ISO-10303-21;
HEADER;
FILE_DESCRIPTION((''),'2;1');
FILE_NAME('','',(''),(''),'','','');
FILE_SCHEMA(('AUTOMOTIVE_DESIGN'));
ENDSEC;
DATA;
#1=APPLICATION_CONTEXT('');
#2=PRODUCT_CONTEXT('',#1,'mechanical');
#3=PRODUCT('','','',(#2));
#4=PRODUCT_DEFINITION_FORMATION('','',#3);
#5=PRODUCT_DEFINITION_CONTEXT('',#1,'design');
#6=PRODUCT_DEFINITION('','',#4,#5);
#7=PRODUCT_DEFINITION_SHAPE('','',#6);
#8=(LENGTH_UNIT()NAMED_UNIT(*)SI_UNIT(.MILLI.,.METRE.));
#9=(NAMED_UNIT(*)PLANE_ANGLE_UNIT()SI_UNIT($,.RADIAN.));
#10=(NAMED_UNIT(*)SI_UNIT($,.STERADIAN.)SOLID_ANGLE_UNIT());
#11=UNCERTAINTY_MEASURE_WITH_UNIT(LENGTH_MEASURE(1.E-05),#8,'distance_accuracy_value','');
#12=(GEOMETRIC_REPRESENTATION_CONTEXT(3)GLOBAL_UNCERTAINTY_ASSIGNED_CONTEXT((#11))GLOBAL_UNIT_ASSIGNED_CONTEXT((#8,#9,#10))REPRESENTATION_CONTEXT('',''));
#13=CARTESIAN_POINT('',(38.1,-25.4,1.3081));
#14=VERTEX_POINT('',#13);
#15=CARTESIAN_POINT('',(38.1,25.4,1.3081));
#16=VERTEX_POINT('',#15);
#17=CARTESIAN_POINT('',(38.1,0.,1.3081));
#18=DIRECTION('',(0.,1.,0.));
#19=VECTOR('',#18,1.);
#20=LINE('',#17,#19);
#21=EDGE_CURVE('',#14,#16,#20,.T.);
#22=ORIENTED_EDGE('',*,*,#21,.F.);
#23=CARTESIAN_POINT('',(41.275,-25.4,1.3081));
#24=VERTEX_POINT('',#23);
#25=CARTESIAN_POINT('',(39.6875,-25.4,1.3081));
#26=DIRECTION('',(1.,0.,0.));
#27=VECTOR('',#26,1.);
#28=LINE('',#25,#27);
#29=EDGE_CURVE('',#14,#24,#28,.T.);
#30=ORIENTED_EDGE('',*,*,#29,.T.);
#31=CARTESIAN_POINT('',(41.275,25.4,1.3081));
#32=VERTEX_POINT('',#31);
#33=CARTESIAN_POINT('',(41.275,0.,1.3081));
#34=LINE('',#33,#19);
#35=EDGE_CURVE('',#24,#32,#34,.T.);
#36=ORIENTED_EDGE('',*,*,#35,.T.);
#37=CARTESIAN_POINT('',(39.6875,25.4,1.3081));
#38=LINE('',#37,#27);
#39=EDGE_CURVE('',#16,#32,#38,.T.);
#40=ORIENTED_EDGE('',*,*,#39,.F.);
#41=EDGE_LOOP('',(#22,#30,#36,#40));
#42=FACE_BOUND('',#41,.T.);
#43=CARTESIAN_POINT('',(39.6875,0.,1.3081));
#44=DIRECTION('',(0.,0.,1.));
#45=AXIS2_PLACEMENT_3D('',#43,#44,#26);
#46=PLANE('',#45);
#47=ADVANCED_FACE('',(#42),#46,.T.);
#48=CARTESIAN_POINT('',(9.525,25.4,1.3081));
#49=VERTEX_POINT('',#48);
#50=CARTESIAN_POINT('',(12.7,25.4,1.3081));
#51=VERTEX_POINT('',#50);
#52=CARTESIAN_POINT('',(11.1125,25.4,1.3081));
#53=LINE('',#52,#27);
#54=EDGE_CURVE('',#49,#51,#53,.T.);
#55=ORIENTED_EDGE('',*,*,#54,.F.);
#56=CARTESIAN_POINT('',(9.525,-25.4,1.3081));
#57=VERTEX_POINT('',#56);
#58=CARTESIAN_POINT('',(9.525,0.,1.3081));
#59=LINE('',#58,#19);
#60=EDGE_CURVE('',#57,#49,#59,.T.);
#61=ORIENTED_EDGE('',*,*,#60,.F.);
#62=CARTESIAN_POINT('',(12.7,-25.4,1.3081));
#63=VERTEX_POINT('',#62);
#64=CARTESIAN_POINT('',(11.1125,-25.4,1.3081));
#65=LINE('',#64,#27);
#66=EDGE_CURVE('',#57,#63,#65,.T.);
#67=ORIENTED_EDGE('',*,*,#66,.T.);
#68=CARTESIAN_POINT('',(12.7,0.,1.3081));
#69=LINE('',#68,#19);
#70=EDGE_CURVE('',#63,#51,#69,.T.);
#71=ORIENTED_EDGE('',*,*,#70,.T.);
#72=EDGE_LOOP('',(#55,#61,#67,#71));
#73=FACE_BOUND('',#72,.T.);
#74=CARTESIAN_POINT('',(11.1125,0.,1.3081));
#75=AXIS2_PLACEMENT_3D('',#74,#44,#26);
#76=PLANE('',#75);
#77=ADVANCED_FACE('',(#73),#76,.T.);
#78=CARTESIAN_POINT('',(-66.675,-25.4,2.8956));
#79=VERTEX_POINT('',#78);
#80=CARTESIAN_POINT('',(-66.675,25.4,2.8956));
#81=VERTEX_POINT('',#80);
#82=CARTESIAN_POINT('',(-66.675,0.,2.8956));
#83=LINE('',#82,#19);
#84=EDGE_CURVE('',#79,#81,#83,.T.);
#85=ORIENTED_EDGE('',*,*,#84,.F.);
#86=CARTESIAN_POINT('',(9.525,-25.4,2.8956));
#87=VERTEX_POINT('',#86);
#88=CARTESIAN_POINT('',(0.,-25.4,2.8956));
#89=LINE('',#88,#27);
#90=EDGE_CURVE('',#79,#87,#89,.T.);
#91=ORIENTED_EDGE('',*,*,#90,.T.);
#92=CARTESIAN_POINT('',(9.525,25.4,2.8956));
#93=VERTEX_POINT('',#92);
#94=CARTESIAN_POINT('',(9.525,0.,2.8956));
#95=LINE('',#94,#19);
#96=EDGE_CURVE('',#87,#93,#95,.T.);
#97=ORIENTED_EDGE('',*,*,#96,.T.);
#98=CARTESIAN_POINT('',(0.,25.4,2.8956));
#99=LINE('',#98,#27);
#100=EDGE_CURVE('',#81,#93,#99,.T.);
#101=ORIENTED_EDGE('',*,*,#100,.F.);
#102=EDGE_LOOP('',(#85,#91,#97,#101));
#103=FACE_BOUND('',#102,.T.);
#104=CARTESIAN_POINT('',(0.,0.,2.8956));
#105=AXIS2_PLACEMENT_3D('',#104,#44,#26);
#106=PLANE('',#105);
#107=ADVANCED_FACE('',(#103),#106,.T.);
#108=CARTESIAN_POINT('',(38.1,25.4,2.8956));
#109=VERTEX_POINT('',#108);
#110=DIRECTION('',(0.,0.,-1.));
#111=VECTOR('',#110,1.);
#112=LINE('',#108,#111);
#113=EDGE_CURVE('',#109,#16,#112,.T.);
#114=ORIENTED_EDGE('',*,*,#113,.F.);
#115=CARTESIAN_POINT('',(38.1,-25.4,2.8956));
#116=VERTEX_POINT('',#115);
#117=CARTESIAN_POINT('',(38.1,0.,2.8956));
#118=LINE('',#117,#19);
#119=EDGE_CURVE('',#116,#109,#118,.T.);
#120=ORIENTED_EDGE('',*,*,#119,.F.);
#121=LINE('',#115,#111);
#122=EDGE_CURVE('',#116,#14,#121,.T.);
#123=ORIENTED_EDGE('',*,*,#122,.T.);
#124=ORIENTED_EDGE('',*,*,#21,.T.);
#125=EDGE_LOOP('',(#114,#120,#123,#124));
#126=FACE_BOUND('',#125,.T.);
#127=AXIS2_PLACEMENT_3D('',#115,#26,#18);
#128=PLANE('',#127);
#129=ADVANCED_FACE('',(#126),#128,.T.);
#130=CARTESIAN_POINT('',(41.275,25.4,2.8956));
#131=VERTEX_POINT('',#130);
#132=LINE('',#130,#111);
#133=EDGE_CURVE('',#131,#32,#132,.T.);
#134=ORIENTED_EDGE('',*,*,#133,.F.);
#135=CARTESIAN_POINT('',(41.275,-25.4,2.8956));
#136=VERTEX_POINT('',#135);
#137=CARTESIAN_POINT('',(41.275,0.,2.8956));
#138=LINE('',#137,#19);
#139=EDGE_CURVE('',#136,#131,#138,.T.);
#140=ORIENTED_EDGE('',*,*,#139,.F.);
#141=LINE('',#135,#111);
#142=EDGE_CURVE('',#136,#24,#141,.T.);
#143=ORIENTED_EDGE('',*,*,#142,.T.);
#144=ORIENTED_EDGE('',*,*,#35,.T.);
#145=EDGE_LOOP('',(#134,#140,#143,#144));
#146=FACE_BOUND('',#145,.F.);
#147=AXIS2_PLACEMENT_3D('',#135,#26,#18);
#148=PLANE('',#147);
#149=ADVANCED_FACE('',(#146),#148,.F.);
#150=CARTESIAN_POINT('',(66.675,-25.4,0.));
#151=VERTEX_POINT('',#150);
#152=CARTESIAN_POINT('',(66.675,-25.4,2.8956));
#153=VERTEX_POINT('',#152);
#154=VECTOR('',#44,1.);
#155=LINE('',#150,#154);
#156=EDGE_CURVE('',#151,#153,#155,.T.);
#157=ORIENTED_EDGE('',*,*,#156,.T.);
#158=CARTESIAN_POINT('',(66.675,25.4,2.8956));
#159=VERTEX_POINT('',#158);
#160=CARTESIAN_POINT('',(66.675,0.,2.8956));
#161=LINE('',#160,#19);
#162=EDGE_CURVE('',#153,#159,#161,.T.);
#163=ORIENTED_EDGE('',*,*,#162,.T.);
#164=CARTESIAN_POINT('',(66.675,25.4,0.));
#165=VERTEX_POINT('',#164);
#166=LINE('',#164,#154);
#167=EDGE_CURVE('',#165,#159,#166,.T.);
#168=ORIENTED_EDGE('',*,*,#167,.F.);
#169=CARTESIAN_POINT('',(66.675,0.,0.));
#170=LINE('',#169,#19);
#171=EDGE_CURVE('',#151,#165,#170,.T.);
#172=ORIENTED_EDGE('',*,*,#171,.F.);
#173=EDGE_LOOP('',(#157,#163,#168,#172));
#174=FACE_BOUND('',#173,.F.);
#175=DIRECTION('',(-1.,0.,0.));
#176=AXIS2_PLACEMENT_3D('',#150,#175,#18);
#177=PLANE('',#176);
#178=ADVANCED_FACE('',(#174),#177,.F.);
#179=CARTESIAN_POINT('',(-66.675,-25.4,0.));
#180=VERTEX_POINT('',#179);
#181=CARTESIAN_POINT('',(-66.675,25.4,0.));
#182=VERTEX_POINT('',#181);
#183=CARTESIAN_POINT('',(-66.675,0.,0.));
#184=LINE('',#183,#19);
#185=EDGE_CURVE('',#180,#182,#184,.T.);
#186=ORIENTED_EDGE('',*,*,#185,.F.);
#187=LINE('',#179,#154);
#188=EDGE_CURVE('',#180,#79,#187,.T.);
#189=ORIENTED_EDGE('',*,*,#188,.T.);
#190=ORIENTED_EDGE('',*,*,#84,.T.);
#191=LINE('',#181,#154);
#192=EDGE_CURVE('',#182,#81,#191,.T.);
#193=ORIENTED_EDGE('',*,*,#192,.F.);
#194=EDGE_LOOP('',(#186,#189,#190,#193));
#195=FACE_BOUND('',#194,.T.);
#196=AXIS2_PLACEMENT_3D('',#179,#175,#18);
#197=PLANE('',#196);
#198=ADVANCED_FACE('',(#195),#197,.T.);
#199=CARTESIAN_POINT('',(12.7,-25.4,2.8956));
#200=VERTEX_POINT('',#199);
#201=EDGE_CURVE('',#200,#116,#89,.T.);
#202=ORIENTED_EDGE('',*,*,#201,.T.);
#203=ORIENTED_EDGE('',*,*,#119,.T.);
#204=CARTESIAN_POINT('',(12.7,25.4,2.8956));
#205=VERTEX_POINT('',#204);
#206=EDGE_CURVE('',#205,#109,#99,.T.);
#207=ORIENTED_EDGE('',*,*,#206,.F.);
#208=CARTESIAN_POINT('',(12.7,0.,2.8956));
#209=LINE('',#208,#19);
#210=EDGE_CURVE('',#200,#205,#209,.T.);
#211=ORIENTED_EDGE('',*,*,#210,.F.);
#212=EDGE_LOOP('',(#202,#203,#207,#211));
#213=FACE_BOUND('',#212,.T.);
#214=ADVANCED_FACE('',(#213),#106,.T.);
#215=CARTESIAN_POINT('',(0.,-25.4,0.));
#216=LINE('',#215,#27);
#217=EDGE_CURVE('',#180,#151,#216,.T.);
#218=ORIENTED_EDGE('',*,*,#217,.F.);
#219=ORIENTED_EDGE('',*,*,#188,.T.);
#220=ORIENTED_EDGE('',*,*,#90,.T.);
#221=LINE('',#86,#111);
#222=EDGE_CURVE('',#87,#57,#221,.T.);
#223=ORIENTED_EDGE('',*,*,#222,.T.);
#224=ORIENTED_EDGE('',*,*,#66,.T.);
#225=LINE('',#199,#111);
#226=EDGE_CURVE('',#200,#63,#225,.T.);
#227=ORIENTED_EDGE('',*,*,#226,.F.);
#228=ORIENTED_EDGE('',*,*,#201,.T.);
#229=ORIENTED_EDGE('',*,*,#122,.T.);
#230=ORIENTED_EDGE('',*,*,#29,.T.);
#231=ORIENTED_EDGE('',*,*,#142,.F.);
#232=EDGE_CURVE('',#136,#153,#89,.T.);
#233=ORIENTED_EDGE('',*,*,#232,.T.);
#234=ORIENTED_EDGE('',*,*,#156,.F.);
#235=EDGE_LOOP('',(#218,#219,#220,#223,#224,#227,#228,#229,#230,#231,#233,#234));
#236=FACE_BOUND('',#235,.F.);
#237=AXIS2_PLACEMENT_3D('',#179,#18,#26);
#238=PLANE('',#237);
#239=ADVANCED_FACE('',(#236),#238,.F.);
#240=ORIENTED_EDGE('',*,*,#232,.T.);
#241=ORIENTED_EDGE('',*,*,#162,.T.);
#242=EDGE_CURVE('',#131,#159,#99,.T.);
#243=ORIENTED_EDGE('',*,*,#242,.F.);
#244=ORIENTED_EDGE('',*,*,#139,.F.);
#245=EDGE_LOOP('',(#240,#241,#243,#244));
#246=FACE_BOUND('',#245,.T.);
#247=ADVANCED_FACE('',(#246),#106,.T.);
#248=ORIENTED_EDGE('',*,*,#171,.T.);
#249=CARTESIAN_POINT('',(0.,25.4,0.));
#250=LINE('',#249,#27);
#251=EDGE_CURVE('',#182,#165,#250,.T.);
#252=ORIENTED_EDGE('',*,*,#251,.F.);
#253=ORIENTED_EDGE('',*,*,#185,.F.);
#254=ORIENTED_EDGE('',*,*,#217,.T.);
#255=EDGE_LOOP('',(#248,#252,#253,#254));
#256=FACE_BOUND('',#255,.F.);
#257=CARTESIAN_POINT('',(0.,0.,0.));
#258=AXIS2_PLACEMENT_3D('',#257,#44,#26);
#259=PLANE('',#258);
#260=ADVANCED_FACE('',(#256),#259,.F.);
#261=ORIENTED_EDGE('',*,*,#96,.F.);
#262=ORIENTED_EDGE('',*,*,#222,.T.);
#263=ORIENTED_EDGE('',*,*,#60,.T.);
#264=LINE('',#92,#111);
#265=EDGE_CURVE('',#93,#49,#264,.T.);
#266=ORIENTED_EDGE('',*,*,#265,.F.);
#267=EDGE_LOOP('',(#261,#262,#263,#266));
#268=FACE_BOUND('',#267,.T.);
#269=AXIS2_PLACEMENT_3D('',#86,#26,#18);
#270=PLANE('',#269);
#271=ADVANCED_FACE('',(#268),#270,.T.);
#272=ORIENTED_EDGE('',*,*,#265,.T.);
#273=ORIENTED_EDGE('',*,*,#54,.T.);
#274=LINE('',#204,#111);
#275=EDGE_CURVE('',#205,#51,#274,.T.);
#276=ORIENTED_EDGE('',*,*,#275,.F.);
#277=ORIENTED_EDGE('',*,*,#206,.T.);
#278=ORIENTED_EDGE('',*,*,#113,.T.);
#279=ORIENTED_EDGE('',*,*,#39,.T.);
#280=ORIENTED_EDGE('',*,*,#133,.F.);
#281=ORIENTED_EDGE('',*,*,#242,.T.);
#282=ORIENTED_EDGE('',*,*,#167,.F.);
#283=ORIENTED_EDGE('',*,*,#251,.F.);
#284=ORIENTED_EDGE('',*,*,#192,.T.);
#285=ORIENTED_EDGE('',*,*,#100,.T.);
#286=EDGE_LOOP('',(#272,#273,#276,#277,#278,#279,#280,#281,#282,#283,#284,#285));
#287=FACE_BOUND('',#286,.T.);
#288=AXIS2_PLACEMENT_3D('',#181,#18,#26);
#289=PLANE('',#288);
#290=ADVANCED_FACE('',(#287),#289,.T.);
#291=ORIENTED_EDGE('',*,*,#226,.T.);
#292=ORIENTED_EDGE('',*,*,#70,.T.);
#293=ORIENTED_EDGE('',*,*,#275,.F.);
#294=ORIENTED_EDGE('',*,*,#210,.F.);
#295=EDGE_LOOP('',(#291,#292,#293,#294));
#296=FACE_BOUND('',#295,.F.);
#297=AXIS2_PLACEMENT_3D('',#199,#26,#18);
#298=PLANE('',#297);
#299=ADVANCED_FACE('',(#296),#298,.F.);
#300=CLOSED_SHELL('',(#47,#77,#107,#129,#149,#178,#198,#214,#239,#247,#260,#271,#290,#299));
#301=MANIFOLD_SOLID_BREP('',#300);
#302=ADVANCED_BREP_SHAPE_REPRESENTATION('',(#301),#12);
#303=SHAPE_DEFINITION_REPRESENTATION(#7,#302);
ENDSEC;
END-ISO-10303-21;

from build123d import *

# Parameters (mm, degrees)
F0_W     = 133.35
F0_H     = 50.8
F1_DEPTH = 2.8956
F2_W     = 3.175
F2_H     = 50.8
F3_DEPTH = 1.5875


with BuildPart() as f1:
    # F0 (on Top) → F1 (new body)
    with BuildSketch(Plane.XY):
        Rectangle(F0_W, F0_H)
    extrude(amount=F1_DEPTH)

    # F2 (on face) → F3 (cut)
    with BuildSketch(Plane.XY.offset(2.8956)):
        with Locations((39.6875, 0)):
            Rectangle(F2_W, F2_H)
        with Locations((11.1125, 0)):
            Rectangle(F2_W, F2_H)
    extrude(amount=-F3_DEPTH, mode=Mode.SUBTRACT)


solid = f1.part
